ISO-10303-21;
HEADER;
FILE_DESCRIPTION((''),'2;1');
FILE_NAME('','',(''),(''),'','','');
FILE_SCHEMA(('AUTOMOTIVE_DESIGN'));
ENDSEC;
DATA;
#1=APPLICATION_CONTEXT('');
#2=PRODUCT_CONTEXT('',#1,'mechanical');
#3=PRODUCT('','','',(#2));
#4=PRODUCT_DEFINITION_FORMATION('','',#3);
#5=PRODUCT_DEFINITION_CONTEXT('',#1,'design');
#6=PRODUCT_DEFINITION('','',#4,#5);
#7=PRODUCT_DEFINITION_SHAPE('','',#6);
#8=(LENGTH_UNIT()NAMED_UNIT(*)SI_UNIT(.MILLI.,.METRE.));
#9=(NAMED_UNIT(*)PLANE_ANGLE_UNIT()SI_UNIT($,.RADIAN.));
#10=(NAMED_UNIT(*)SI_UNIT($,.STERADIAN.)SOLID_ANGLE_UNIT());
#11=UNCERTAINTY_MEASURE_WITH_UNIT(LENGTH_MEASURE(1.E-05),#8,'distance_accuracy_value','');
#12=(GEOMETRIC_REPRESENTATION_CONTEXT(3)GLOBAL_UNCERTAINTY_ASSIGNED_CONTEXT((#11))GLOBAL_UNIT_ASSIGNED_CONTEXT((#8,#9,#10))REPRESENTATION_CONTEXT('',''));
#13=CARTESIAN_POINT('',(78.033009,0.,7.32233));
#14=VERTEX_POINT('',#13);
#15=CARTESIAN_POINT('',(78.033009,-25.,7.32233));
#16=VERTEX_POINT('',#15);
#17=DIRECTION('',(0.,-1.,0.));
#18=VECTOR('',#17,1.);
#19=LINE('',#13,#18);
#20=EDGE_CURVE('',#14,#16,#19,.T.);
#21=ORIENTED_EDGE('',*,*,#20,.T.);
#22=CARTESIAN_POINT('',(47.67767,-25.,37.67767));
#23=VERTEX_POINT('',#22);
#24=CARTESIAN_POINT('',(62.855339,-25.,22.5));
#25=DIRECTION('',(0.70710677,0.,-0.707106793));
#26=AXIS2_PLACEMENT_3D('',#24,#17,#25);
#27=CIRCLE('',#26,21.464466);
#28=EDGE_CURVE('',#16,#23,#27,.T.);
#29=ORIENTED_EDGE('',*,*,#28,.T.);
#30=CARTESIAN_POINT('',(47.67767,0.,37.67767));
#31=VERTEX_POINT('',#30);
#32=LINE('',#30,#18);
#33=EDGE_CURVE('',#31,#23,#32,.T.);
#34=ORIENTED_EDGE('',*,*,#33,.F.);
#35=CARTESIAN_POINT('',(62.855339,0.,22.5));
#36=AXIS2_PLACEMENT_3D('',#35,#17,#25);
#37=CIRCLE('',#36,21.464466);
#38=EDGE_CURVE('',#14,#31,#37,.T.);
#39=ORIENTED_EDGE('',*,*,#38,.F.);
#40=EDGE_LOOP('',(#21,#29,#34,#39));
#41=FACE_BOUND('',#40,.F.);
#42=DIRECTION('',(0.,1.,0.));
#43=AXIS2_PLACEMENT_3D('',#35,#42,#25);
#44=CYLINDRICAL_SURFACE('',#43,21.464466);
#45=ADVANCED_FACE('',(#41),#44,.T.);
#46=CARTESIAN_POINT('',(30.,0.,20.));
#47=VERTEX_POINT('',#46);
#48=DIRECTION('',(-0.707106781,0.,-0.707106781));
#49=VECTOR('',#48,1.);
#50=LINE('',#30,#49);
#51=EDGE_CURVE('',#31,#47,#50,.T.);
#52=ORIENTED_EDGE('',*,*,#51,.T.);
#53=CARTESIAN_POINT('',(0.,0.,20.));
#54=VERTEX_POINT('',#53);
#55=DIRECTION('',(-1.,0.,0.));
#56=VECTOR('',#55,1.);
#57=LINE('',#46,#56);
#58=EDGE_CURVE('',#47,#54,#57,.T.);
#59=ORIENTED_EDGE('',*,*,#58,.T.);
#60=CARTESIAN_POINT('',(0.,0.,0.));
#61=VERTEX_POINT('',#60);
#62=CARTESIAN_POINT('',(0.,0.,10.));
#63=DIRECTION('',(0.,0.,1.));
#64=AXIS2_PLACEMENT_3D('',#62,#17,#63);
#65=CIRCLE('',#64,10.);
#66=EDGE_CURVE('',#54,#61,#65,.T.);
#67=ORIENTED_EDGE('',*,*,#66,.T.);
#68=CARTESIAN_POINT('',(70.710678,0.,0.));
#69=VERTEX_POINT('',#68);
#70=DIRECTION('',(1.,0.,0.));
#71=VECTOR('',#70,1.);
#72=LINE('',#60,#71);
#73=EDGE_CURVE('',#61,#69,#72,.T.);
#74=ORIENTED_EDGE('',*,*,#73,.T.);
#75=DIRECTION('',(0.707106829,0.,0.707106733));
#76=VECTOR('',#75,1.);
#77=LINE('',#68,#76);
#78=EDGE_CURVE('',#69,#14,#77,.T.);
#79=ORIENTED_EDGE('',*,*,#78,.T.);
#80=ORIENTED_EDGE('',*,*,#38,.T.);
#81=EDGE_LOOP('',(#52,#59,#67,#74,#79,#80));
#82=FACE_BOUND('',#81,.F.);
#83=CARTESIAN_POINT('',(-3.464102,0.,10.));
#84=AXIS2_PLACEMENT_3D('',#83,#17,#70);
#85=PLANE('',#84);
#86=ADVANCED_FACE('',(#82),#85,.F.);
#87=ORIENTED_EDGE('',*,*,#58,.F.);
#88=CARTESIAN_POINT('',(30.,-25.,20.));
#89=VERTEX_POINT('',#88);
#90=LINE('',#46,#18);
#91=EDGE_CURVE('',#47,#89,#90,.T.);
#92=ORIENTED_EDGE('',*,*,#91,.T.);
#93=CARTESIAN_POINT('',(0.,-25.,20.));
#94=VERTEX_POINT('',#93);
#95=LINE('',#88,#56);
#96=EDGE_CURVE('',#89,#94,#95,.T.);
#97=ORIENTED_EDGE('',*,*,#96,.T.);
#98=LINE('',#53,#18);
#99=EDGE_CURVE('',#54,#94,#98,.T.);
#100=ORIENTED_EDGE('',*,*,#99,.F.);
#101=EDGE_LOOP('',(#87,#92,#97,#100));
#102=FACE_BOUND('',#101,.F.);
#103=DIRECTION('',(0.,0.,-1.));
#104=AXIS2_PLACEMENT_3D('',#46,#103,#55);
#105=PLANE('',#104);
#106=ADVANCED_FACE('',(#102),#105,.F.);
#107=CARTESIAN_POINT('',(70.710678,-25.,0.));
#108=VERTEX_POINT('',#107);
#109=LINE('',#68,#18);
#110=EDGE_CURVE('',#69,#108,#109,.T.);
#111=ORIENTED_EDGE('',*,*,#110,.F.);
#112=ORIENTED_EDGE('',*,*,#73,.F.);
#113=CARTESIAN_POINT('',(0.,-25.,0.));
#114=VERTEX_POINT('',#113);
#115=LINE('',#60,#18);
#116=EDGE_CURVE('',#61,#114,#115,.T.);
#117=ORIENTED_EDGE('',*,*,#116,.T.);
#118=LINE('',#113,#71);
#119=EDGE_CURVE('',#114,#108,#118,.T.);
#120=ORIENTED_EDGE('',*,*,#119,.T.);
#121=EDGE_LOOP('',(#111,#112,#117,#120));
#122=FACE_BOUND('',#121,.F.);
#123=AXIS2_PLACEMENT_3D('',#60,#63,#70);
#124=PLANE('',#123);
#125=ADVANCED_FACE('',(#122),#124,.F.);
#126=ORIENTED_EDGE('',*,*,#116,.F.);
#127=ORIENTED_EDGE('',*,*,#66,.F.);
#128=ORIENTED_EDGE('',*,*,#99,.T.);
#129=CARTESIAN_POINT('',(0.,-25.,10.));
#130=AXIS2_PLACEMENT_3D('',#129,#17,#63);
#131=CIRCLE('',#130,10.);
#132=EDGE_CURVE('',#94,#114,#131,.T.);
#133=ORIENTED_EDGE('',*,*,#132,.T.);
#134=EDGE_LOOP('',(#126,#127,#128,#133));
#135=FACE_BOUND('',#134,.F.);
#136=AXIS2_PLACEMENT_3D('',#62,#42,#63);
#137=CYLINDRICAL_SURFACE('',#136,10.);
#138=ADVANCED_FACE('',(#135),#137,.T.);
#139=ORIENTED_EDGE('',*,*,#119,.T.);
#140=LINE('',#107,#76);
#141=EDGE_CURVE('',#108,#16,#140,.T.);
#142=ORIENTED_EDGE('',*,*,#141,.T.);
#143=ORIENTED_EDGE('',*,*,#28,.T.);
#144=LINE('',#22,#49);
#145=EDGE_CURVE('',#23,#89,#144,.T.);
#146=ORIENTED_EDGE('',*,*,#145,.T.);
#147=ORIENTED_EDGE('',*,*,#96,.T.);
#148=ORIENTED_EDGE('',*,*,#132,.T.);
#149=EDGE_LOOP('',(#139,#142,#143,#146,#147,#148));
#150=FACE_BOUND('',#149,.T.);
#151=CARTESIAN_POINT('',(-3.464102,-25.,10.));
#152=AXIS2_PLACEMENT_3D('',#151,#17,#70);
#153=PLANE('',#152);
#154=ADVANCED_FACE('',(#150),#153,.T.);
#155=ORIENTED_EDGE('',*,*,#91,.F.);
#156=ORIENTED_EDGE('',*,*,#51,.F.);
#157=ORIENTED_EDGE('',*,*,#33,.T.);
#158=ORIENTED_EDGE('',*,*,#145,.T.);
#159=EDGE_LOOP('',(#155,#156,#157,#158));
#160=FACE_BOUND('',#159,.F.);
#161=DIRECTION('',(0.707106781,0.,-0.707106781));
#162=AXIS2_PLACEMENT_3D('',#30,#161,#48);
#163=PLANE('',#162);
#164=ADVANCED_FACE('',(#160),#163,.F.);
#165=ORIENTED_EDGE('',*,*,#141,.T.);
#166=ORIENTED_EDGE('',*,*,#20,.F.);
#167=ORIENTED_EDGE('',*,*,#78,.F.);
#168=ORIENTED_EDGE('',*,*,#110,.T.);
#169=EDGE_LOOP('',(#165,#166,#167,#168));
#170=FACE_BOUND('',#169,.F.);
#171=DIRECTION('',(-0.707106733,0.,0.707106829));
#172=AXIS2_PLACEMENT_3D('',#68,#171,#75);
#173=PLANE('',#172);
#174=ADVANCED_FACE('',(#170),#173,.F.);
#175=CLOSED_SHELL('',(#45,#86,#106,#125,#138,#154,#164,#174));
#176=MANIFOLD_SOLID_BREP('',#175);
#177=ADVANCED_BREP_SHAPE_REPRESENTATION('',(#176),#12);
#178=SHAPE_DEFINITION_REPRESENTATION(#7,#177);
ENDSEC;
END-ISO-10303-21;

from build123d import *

# Parameters (mm, degrees)
F1_DEPTH = 25


with BuildPart() as f1:
    # F0 (on Front) → F1 (new body)
    with BuildSketch(Plane.XZ):
        with BuildLine():
            ThreePointArc((0, 20), (-10, 10), (0, 0))
            Line((0, 0), (0, 20))
        make_face()
        Polygon((0, 20), (0, 0), (70.710678, 0), (78.033009, 7.32233), (47.67767, 37.67767), (30, 20), align=None)
        with BuildLine():
            Line((47.67767, 37.67767), (78.033009, 7.32233))
            ThreePointArc((78.033009, 7.32233), (78.033009, 37.67767), (47.67767, 37.67767))
        make_face()
    extrude(amount=F1_DEPTH)


solid = f1.part
